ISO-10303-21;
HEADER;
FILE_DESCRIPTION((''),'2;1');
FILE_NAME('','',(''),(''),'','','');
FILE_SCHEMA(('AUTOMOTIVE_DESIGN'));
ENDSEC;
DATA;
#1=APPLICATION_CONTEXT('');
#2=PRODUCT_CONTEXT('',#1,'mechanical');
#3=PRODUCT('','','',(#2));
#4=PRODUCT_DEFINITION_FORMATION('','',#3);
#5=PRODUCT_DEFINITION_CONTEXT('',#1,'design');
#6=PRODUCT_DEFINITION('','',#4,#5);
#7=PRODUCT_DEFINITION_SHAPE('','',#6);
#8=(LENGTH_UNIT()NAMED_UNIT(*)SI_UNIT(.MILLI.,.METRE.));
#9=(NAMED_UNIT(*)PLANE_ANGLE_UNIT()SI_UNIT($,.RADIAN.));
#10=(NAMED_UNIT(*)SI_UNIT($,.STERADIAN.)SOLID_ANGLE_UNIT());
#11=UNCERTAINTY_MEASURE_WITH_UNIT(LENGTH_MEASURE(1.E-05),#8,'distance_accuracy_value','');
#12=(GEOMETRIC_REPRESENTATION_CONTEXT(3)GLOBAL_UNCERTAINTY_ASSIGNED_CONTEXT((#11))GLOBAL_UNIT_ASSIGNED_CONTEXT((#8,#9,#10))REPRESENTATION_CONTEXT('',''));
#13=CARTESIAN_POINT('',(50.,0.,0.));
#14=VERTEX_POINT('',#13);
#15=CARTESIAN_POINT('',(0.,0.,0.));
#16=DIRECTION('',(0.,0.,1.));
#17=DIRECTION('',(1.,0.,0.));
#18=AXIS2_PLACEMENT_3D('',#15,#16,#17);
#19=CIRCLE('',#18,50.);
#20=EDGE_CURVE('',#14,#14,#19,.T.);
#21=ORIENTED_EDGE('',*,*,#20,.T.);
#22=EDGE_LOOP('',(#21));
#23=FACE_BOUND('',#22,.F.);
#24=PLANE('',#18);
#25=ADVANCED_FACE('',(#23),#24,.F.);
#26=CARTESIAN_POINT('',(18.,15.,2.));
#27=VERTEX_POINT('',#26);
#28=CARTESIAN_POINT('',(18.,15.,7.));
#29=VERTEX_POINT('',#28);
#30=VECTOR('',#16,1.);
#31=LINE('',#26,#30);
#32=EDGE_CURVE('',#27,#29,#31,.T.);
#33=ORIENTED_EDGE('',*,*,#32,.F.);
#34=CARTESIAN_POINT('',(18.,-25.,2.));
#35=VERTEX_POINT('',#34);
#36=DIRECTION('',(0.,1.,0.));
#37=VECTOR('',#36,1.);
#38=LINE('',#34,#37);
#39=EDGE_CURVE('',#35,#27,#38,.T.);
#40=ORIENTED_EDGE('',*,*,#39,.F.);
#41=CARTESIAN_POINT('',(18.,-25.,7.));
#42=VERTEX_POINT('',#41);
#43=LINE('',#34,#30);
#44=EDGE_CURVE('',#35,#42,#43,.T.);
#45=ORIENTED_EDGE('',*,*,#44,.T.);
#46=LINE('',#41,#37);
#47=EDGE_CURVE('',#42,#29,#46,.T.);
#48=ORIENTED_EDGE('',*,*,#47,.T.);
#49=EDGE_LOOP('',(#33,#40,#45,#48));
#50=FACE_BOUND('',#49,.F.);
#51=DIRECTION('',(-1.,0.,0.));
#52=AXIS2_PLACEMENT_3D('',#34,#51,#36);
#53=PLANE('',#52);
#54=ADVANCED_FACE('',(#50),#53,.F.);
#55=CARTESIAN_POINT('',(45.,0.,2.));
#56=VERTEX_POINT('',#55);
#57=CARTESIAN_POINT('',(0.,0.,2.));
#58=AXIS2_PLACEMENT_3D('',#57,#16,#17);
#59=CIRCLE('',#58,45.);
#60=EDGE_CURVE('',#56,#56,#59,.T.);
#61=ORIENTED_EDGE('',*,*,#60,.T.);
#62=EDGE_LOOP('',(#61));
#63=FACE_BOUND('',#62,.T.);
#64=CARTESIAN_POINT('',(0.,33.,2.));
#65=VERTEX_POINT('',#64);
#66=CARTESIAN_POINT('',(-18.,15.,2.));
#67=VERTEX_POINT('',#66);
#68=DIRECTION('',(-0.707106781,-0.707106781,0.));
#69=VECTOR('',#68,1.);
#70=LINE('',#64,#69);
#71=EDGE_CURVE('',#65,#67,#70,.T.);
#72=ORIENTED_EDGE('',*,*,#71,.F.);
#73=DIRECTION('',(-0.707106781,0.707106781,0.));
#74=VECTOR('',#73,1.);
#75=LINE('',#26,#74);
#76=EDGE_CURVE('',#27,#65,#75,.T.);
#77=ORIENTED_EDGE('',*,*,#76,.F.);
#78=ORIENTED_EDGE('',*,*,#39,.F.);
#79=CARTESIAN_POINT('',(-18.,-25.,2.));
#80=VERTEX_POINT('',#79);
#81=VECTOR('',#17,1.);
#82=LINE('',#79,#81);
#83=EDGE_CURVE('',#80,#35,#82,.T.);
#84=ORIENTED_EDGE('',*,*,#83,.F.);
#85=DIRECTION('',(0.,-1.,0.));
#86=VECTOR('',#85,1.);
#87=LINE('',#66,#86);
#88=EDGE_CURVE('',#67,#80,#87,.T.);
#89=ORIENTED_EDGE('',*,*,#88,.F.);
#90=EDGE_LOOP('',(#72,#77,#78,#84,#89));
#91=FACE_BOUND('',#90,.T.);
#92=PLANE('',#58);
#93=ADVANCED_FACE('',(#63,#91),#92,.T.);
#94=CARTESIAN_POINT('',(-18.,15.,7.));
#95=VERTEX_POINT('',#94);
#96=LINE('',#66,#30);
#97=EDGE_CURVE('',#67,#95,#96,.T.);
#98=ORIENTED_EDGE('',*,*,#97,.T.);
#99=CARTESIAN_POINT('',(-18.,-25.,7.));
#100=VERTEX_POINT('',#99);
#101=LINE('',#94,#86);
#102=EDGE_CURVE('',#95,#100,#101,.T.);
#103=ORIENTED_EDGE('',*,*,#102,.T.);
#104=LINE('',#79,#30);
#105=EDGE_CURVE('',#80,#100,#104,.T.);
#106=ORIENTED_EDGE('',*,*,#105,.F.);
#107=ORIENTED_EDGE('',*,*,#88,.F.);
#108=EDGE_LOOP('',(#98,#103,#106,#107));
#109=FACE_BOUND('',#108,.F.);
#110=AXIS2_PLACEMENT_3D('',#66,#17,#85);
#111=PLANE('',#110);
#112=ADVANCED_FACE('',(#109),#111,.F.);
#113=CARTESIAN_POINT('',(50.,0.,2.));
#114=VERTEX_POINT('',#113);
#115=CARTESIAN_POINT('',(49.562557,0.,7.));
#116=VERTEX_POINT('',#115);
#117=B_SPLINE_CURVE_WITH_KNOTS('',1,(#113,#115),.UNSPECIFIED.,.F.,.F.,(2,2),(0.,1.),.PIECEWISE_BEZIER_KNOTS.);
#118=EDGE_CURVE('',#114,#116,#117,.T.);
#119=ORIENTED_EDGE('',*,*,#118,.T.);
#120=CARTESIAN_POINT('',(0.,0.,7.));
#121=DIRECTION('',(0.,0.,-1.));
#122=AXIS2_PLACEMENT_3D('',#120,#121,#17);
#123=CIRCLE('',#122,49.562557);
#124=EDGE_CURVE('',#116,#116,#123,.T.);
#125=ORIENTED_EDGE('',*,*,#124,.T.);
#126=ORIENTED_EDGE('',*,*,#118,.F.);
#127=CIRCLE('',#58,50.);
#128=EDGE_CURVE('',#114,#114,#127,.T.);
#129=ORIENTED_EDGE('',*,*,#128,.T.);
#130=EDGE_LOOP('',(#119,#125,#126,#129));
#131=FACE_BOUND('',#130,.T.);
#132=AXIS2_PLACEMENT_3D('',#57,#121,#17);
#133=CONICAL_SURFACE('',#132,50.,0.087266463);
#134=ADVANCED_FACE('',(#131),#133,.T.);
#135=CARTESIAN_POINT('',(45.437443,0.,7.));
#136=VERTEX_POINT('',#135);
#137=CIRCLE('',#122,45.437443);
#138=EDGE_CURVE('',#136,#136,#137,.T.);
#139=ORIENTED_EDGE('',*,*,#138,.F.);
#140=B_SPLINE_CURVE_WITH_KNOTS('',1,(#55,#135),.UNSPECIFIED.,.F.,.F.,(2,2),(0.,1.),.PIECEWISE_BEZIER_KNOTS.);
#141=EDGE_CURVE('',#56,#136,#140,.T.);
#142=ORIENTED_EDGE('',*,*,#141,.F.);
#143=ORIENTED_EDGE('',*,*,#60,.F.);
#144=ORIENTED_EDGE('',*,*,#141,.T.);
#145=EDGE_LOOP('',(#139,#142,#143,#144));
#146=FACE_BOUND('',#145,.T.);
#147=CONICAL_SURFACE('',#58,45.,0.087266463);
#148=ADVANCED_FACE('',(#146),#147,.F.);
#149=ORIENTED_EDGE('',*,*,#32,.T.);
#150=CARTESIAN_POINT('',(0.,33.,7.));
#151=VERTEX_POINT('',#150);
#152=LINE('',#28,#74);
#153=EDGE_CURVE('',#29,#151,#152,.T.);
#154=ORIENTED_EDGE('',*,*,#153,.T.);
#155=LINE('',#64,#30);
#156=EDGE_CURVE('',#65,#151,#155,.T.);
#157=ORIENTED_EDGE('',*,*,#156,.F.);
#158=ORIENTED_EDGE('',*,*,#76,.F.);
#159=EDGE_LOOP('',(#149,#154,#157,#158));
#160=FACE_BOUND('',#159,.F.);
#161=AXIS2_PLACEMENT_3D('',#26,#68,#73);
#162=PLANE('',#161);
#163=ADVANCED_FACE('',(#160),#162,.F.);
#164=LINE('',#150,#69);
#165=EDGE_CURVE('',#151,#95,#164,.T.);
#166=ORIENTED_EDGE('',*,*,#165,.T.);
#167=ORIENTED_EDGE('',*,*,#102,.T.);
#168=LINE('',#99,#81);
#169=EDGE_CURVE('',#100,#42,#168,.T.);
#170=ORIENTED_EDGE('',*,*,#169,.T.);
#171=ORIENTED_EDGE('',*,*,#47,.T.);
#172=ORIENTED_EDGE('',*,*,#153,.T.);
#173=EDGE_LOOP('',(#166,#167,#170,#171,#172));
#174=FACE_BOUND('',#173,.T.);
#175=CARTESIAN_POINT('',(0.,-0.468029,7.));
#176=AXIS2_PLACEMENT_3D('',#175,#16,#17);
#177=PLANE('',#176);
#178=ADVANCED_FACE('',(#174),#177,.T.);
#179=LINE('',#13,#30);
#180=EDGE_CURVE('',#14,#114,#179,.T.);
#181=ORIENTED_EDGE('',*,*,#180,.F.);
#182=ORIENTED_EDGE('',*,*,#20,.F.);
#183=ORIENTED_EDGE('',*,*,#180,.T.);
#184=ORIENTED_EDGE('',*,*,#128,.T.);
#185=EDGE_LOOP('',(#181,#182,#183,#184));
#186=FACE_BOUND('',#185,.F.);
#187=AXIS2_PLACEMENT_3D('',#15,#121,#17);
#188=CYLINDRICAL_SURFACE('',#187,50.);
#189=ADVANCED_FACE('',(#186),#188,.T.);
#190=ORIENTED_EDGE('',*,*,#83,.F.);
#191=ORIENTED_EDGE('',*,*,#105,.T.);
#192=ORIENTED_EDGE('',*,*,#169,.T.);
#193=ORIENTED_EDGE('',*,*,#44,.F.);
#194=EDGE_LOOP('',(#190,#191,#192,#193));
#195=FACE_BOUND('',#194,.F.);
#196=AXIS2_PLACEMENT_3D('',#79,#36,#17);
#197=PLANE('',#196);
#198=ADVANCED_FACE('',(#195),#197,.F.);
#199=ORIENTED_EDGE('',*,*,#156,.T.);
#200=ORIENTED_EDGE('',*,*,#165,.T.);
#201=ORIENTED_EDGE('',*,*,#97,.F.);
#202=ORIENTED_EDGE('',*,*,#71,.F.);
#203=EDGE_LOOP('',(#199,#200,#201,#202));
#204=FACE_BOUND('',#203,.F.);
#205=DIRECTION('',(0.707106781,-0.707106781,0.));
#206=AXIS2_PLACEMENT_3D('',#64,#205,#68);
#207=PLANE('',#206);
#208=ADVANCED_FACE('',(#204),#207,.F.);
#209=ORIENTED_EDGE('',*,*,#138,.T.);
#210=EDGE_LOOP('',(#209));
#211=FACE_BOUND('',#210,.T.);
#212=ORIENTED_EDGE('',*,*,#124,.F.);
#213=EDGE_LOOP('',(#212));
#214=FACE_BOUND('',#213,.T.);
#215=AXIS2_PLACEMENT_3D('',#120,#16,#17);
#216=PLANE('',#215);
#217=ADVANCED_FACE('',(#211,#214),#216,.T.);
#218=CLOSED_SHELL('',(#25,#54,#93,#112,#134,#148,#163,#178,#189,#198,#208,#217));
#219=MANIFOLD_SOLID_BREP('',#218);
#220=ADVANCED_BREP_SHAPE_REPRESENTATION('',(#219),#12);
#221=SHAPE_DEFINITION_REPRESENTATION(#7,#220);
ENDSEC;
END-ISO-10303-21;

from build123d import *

# Parameters (mm, degrees)
F0_R     = 50
F1_DEPTH = 2
F2_R     = 50
F2_R_2   = 45
F3_DEPTH = 5
F3_TAPER = 5
F5_DEPTH = 5


with BuildPart() as f1:
    # F0 (on Top) → F1 (new body)
    with BuildSketch(Plane.XY):
        Circle(F0_R)
    extrude(amount=F1_DEPTH)

    # F2 (on face) → F3 (join)
    with BuildSketch(Plane.XY.offset(2)):
        Circle(F2_R)
        Circle(F2_R_2, mode=Mode.SUBTRACT)
    extrude(amount=F3_DEPTH, taper=F3_TAPER)

    # F4 (on face) → F5 (join, through all)
    with BuildSketch(Plane.XY.offset(2)):
        Polygon((-18, -25), (0, -25), (18, -25), (18, 15), (0, 33), (-18, 15), align=None)
    extrude(amount=F5_DEPTH)


solid = f1.part
